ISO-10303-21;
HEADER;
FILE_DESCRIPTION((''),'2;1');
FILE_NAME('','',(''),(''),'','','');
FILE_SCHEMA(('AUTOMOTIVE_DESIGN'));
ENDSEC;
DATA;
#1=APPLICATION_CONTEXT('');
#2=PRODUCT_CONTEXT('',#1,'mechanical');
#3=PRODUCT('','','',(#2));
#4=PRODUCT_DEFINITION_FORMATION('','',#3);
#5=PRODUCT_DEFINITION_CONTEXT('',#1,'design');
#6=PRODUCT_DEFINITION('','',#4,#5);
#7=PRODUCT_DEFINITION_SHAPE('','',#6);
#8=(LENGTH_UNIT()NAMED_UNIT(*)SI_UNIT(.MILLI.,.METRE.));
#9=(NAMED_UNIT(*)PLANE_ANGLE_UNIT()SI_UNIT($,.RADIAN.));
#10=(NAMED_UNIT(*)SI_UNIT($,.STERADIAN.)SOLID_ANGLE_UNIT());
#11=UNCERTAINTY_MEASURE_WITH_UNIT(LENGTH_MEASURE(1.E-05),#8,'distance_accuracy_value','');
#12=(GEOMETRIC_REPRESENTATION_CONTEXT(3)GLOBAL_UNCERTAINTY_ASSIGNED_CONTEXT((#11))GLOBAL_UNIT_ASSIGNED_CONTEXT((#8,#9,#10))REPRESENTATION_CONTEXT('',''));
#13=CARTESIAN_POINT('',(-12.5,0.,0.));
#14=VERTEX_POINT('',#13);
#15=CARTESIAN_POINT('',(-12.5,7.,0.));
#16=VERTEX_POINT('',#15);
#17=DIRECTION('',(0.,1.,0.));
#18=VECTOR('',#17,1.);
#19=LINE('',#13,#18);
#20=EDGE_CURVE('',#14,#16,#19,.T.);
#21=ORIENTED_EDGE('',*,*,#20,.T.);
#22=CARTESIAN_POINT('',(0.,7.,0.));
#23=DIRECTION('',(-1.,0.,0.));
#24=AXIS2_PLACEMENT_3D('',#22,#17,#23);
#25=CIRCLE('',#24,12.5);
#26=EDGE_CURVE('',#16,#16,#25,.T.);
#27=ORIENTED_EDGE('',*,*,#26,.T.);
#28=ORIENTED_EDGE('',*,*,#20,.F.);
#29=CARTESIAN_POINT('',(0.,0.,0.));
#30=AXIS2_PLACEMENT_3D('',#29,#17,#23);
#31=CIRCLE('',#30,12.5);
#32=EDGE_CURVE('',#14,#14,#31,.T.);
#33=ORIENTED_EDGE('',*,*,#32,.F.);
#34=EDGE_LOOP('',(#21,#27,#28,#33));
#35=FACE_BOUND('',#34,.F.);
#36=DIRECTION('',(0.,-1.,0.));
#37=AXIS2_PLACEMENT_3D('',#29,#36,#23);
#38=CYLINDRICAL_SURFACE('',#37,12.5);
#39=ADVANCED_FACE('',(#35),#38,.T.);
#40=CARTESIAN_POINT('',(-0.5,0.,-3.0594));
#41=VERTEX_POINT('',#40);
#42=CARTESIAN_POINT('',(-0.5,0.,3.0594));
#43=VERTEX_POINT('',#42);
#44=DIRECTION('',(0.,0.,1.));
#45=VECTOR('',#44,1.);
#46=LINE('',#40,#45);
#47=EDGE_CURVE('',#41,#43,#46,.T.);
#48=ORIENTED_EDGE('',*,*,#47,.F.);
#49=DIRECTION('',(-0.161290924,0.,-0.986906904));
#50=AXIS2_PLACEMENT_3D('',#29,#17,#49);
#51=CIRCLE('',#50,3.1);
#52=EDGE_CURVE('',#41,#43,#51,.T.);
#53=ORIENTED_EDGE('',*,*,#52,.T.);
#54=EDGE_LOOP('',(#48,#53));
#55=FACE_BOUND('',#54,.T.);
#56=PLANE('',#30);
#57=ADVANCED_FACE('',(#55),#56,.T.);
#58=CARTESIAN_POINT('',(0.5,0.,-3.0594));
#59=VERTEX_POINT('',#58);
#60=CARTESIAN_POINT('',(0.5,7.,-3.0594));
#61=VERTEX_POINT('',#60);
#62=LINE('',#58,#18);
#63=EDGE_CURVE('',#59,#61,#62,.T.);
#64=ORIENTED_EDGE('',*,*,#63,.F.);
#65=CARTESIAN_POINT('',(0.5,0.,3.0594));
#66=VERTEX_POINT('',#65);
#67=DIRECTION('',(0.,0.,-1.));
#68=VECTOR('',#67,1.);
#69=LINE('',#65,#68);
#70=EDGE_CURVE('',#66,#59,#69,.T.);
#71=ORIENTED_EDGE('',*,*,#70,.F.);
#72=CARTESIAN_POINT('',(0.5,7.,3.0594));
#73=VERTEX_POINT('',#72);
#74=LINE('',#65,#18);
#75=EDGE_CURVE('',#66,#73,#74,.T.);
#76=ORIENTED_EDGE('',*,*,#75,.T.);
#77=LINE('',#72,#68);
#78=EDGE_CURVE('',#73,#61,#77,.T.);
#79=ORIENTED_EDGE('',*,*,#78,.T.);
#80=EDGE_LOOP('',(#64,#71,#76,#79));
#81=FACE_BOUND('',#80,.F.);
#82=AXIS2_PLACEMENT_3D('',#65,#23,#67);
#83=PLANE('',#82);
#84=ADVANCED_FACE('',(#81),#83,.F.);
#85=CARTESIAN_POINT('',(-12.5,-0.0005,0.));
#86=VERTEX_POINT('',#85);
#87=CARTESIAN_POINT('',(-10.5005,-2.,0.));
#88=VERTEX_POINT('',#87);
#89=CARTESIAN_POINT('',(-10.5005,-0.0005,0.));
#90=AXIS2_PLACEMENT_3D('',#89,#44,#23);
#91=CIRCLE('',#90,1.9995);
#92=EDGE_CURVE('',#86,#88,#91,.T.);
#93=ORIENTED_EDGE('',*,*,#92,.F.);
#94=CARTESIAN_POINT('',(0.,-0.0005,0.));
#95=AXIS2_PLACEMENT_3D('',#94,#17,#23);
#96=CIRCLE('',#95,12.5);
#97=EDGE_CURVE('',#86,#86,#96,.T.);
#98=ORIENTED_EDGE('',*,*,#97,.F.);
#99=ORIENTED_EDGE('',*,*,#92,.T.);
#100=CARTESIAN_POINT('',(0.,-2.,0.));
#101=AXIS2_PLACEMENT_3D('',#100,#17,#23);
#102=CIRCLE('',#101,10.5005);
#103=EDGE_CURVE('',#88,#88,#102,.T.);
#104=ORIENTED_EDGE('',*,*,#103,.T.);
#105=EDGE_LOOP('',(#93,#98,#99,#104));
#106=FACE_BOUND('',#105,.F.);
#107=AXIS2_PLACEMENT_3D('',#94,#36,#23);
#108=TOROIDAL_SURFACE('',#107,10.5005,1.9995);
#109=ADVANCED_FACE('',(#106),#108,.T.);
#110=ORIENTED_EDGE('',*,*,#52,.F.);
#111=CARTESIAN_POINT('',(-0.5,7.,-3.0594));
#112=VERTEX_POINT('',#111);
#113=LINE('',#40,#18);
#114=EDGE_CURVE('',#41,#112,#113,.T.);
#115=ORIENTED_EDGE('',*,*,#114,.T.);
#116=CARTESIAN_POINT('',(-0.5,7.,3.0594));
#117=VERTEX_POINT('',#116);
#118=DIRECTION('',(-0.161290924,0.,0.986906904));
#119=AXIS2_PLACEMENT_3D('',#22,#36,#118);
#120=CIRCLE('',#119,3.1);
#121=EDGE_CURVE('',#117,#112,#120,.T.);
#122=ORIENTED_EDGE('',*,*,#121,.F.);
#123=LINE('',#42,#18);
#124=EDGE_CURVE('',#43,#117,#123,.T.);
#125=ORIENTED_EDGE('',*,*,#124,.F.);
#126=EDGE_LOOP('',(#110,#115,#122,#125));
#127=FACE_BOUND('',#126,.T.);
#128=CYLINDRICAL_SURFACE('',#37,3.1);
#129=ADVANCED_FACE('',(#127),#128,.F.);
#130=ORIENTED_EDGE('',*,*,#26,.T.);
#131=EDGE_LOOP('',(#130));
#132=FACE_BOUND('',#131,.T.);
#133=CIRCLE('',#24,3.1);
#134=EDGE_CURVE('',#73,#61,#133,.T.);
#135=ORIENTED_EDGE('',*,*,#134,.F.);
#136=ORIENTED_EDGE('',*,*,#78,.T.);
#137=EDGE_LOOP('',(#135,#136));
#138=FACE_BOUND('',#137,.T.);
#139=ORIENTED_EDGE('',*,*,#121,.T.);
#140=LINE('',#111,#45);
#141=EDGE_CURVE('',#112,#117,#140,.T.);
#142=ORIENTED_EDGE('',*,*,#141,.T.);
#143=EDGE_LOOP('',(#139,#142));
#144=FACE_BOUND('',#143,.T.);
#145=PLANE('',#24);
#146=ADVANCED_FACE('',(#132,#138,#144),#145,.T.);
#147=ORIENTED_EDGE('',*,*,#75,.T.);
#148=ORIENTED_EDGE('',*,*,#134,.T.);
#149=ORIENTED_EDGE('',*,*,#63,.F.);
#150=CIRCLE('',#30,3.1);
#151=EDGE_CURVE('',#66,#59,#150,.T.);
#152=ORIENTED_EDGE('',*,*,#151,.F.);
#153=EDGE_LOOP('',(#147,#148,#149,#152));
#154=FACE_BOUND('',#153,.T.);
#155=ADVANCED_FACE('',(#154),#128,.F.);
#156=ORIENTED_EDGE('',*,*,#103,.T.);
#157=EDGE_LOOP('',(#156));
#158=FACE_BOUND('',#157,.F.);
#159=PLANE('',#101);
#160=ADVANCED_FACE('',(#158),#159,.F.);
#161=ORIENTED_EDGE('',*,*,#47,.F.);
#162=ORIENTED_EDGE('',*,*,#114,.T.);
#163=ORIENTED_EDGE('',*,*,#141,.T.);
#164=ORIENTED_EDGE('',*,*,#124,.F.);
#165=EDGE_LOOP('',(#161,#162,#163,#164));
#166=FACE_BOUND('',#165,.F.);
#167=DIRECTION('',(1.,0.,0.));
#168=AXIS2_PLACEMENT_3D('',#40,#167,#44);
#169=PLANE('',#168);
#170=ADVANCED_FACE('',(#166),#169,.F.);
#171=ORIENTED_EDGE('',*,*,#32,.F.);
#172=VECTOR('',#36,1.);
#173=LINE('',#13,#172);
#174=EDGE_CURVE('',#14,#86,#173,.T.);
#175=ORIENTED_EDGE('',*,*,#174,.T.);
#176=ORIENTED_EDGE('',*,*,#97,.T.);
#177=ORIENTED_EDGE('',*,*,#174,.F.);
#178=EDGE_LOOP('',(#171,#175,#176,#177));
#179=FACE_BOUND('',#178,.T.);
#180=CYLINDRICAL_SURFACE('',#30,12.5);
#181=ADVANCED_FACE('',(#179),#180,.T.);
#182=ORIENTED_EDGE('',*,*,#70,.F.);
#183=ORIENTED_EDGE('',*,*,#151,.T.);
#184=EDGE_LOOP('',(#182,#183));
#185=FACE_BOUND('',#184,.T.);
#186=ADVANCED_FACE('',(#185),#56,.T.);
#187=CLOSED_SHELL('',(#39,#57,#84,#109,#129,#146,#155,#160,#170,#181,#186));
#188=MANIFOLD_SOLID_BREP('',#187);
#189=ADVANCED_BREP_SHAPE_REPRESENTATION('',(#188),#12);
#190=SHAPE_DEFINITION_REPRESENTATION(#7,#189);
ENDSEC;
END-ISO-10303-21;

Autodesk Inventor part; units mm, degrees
ref_plane "YZ Plane" through (0, 0, 0) normal (1, 0, 0) x (0, 1, 0)
ref_plane "XZ Plane" through (0, 0, 0) normal (0, 1, 0) x (-1, 0, 0)
ref_plane "XY Plane" through (0, 0, 0) normal (0, 0, 1) x (1, 0, 0)
sketch "Sketch1" plane through (0, 0, 0) normal (0, 1, 0) x (-1, 0, 0)
  circle A0 centre (0, 0) radius 12.5
  circle A1 centre (0, 0) radius 3.1
  line L0 (-0.5, 3.0594) -> (-0.5, -3.0594)
  line L1 (0.5, -3.0594) -> (0.5, 3.0594)
  line L2 (0.5, 3.0594) -> (-0.5, -3.0594) construction
  line L3 (-0.5, 3.0594) -> (0.5, -3.0594) construction
  dimension "d0" = 6.2
  dimension "d1" = 25
  dimension "d3" = 1
extrude "Extrusion1" add sketch "Sketch1" along normal blind 7
extrude "Extrusion2" add sketch "Sketch1" along normal blind 7 contours L1 A1 L0
extrude "Extrusion3" add sketch "Sketch1" against normal blind 2 contours A0 | A1 L1 | L1 A1 L0 | L0 A1
fillet "Fillet1" radius 2 1 edges at (12.5, -2, 0)
properties part number "volumeKnob"
